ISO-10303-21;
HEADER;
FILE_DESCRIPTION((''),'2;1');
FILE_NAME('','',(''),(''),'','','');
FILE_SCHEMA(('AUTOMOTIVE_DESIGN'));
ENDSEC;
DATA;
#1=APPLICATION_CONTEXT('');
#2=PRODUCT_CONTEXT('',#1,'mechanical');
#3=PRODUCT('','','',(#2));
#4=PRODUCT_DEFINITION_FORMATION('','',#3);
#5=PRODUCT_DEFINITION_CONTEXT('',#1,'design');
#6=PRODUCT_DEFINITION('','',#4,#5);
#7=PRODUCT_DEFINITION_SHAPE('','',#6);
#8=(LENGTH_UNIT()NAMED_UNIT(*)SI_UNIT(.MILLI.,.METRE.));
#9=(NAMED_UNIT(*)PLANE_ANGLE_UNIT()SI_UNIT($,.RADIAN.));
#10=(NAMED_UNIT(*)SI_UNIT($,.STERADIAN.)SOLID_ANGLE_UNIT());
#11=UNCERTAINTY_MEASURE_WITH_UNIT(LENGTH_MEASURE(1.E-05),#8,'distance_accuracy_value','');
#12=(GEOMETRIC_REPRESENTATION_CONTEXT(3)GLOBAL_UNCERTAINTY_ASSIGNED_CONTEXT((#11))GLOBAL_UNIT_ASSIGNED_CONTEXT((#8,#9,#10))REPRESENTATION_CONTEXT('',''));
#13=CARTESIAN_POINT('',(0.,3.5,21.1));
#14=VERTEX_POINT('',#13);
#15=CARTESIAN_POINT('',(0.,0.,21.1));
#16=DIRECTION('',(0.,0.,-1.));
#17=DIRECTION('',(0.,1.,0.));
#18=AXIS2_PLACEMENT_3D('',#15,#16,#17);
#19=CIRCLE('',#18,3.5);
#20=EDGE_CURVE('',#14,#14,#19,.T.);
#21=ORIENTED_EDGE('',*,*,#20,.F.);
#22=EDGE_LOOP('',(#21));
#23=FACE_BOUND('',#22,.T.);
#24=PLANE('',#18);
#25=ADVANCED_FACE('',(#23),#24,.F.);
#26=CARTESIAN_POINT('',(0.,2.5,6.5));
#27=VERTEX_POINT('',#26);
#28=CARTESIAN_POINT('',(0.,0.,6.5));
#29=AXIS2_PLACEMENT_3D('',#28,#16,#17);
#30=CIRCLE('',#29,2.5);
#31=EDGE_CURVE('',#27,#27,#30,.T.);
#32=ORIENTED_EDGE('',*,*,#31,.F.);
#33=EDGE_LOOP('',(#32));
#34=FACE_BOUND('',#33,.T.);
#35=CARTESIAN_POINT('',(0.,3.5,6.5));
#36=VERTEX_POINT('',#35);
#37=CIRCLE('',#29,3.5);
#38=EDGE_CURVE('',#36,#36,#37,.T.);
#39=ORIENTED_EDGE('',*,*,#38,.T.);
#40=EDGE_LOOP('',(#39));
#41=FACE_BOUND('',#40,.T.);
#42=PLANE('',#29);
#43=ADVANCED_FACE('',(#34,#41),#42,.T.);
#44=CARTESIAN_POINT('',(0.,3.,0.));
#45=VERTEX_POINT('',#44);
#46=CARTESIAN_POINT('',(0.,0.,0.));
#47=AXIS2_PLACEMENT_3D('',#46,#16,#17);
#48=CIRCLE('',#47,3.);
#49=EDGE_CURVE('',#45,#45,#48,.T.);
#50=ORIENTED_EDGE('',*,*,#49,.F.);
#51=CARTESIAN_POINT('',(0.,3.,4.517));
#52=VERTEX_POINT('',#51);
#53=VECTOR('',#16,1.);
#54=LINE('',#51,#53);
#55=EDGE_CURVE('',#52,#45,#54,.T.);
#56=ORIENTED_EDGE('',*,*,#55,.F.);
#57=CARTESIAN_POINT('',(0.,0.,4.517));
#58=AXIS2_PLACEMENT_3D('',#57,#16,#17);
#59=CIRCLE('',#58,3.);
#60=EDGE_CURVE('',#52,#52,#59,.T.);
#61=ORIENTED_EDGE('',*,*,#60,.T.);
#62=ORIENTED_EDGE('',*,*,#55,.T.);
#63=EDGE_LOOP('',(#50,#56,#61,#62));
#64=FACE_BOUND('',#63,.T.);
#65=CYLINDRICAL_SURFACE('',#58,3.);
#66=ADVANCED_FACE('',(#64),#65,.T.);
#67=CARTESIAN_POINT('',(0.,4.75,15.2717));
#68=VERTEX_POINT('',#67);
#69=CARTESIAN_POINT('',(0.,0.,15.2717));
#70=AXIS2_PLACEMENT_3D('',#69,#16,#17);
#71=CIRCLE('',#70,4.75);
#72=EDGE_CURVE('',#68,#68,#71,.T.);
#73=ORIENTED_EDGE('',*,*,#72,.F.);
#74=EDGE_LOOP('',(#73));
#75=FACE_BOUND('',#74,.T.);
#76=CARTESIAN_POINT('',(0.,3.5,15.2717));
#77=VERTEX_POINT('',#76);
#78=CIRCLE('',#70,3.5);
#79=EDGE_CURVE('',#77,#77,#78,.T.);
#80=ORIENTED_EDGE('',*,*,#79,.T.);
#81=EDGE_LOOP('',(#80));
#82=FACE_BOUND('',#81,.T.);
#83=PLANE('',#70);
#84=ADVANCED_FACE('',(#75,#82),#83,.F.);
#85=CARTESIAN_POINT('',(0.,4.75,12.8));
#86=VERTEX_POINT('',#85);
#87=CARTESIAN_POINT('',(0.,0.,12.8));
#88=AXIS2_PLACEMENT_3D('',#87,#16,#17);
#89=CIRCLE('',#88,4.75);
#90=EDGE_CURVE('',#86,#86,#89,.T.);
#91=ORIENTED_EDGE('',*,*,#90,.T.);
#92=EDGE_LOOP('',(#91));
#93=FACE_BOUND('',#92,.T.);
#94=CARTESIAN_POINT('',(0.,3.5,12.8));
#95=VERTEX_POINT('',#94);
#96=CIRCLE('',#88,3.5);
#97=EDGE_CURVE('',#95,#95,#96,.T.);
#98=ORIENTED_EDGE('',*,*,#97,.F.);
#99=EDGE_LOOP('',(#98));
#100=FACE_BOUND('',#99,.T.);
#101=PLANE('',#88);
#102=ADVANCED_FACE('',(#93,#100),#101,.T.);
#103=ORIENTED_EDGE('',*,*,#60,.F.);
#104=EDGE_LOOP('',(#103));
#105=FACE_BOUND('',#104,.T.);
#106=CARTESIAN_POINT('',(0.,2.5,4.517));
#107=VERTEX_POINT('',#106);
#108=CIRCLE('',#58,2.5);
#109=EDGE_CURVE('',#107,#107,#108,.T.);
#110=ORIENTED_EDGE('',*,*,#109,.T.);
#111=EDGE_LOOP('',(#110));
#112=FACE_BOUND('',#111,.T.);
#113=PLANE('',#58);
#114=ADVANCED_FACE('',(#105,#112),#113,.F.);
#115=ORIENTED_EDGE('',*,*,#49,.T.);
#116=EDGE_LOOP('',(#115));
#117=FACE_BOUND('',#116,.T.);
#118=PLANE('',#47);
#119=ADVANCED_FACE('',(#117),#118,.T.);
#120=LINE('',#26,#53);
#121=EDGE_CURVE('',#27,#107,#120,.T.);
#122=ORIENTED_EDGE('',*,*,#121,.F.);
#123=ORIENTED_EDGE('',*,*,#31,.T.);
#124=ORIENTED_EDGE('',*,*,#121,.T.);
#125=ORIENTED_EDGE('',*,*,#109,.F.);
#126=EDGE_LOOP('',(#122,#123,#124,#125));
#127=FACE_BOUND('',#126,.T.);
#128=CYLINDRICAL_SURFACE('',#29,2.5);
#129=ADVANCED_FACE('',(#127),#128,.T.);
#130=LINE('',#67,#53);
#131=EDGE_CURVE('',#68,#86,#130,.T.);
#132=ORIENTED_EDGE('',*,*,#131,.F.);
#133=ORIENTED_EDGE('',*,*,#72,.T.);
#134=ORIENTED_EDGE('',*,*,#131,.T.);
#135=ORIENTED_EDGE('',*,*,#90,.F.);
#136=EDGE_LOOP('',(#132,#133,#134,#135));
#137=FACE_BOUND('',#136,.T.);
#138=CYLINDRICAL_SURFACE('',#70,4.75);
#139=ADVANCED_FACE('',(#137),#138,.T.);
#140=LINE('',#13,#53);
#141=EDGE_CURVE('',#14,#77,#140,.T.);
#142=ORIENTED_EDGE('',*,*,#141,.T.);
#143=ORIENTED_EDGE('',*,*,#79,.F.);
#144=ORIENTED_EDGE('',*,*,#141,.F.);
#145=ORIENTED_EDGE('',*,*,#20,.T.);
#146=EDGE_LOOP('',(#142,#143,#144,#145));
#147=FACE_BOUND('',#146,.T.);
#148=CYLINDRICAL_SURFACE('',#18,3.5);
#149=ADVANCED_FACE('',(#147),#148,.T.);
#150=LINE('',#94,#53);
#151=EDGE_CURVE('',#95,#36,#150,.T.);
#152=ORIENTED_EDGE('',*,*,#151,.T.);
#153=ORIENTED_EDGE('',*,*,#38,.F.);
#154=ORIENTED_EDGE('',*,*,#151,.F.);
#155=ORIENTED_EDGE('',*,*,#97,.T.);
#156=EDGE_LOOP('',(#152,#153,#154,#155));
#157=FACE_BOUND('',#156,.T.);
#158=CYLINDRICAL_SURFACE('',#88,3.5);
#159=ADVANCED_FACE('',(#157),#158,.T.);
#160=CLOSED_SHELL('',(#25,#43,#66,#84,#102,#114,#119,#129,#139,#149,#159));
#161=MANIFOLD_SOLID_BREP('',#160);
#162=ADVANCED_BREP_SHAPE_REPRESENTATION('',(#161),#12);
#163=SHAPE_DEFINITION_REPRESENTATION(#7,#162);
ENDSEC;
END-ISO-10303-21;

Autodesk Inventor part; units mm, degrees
ref_plane "YZ Plane" through (0, 0, 0) normal (1, 0, 0) x (0, 1, 0)
ref_plane "XZ Plane" through (0, 0, 0) normal (0, 1, 0) x (-1, 0, 0)
ref_plane "XY Plane" through (0, 0, 0) normal (0, 0, 1) x (1, 0, 0)
sketch "Sketch1" plane through (0, 0, 0) normal (1, 0, 0) x (0, 1, 0)
  line L0 (0, 21.1) -> (3.5, 21.1)
  line L1 (3.5, 21.1) -> (3.5, 15.2717)
  line L2 (3.5, 15.2717) -> (4.75, 15.2717)
  line L3 (4.75, 15.2717) -> (4.75, 12.8)
  line L4 (4.75, 12.8) -> (3.5, 12.8)
  line L5 (3.5, 12.8) -> (3.5, 6.5)
  line L6 (3.5, 6.5) -> (2.5, 6.5)
  line L7 (2.5, 6.5) -> (2.5, 4.517)
  line L8 (2.5, 4.517) -> (3, 4.517)
  line L9 (3, 4.517) -> (3, 0)
  line L10 (3, 0) -> (0, 0)
  line L11 (0, 21.1) -> (0, 0)
  dimension "d0" = 21.1
  dimension "d1" = 3
  dimension "d2" = 3.5
  dimension "d3" = 2.5
  dimension "d4" = 6.5
  dimension "d5" = 4.517
  dimension "d6" = 6.3
  dimension "d7" = 2.4717
  dimension "d8" = 4.75
revolve "Revolution1" add sketch "Sketch1" angle 360 about axis through (0, 0, 21.1) along (0, 0, -1)
properties part number "Button" material "Nylon 6/6"
